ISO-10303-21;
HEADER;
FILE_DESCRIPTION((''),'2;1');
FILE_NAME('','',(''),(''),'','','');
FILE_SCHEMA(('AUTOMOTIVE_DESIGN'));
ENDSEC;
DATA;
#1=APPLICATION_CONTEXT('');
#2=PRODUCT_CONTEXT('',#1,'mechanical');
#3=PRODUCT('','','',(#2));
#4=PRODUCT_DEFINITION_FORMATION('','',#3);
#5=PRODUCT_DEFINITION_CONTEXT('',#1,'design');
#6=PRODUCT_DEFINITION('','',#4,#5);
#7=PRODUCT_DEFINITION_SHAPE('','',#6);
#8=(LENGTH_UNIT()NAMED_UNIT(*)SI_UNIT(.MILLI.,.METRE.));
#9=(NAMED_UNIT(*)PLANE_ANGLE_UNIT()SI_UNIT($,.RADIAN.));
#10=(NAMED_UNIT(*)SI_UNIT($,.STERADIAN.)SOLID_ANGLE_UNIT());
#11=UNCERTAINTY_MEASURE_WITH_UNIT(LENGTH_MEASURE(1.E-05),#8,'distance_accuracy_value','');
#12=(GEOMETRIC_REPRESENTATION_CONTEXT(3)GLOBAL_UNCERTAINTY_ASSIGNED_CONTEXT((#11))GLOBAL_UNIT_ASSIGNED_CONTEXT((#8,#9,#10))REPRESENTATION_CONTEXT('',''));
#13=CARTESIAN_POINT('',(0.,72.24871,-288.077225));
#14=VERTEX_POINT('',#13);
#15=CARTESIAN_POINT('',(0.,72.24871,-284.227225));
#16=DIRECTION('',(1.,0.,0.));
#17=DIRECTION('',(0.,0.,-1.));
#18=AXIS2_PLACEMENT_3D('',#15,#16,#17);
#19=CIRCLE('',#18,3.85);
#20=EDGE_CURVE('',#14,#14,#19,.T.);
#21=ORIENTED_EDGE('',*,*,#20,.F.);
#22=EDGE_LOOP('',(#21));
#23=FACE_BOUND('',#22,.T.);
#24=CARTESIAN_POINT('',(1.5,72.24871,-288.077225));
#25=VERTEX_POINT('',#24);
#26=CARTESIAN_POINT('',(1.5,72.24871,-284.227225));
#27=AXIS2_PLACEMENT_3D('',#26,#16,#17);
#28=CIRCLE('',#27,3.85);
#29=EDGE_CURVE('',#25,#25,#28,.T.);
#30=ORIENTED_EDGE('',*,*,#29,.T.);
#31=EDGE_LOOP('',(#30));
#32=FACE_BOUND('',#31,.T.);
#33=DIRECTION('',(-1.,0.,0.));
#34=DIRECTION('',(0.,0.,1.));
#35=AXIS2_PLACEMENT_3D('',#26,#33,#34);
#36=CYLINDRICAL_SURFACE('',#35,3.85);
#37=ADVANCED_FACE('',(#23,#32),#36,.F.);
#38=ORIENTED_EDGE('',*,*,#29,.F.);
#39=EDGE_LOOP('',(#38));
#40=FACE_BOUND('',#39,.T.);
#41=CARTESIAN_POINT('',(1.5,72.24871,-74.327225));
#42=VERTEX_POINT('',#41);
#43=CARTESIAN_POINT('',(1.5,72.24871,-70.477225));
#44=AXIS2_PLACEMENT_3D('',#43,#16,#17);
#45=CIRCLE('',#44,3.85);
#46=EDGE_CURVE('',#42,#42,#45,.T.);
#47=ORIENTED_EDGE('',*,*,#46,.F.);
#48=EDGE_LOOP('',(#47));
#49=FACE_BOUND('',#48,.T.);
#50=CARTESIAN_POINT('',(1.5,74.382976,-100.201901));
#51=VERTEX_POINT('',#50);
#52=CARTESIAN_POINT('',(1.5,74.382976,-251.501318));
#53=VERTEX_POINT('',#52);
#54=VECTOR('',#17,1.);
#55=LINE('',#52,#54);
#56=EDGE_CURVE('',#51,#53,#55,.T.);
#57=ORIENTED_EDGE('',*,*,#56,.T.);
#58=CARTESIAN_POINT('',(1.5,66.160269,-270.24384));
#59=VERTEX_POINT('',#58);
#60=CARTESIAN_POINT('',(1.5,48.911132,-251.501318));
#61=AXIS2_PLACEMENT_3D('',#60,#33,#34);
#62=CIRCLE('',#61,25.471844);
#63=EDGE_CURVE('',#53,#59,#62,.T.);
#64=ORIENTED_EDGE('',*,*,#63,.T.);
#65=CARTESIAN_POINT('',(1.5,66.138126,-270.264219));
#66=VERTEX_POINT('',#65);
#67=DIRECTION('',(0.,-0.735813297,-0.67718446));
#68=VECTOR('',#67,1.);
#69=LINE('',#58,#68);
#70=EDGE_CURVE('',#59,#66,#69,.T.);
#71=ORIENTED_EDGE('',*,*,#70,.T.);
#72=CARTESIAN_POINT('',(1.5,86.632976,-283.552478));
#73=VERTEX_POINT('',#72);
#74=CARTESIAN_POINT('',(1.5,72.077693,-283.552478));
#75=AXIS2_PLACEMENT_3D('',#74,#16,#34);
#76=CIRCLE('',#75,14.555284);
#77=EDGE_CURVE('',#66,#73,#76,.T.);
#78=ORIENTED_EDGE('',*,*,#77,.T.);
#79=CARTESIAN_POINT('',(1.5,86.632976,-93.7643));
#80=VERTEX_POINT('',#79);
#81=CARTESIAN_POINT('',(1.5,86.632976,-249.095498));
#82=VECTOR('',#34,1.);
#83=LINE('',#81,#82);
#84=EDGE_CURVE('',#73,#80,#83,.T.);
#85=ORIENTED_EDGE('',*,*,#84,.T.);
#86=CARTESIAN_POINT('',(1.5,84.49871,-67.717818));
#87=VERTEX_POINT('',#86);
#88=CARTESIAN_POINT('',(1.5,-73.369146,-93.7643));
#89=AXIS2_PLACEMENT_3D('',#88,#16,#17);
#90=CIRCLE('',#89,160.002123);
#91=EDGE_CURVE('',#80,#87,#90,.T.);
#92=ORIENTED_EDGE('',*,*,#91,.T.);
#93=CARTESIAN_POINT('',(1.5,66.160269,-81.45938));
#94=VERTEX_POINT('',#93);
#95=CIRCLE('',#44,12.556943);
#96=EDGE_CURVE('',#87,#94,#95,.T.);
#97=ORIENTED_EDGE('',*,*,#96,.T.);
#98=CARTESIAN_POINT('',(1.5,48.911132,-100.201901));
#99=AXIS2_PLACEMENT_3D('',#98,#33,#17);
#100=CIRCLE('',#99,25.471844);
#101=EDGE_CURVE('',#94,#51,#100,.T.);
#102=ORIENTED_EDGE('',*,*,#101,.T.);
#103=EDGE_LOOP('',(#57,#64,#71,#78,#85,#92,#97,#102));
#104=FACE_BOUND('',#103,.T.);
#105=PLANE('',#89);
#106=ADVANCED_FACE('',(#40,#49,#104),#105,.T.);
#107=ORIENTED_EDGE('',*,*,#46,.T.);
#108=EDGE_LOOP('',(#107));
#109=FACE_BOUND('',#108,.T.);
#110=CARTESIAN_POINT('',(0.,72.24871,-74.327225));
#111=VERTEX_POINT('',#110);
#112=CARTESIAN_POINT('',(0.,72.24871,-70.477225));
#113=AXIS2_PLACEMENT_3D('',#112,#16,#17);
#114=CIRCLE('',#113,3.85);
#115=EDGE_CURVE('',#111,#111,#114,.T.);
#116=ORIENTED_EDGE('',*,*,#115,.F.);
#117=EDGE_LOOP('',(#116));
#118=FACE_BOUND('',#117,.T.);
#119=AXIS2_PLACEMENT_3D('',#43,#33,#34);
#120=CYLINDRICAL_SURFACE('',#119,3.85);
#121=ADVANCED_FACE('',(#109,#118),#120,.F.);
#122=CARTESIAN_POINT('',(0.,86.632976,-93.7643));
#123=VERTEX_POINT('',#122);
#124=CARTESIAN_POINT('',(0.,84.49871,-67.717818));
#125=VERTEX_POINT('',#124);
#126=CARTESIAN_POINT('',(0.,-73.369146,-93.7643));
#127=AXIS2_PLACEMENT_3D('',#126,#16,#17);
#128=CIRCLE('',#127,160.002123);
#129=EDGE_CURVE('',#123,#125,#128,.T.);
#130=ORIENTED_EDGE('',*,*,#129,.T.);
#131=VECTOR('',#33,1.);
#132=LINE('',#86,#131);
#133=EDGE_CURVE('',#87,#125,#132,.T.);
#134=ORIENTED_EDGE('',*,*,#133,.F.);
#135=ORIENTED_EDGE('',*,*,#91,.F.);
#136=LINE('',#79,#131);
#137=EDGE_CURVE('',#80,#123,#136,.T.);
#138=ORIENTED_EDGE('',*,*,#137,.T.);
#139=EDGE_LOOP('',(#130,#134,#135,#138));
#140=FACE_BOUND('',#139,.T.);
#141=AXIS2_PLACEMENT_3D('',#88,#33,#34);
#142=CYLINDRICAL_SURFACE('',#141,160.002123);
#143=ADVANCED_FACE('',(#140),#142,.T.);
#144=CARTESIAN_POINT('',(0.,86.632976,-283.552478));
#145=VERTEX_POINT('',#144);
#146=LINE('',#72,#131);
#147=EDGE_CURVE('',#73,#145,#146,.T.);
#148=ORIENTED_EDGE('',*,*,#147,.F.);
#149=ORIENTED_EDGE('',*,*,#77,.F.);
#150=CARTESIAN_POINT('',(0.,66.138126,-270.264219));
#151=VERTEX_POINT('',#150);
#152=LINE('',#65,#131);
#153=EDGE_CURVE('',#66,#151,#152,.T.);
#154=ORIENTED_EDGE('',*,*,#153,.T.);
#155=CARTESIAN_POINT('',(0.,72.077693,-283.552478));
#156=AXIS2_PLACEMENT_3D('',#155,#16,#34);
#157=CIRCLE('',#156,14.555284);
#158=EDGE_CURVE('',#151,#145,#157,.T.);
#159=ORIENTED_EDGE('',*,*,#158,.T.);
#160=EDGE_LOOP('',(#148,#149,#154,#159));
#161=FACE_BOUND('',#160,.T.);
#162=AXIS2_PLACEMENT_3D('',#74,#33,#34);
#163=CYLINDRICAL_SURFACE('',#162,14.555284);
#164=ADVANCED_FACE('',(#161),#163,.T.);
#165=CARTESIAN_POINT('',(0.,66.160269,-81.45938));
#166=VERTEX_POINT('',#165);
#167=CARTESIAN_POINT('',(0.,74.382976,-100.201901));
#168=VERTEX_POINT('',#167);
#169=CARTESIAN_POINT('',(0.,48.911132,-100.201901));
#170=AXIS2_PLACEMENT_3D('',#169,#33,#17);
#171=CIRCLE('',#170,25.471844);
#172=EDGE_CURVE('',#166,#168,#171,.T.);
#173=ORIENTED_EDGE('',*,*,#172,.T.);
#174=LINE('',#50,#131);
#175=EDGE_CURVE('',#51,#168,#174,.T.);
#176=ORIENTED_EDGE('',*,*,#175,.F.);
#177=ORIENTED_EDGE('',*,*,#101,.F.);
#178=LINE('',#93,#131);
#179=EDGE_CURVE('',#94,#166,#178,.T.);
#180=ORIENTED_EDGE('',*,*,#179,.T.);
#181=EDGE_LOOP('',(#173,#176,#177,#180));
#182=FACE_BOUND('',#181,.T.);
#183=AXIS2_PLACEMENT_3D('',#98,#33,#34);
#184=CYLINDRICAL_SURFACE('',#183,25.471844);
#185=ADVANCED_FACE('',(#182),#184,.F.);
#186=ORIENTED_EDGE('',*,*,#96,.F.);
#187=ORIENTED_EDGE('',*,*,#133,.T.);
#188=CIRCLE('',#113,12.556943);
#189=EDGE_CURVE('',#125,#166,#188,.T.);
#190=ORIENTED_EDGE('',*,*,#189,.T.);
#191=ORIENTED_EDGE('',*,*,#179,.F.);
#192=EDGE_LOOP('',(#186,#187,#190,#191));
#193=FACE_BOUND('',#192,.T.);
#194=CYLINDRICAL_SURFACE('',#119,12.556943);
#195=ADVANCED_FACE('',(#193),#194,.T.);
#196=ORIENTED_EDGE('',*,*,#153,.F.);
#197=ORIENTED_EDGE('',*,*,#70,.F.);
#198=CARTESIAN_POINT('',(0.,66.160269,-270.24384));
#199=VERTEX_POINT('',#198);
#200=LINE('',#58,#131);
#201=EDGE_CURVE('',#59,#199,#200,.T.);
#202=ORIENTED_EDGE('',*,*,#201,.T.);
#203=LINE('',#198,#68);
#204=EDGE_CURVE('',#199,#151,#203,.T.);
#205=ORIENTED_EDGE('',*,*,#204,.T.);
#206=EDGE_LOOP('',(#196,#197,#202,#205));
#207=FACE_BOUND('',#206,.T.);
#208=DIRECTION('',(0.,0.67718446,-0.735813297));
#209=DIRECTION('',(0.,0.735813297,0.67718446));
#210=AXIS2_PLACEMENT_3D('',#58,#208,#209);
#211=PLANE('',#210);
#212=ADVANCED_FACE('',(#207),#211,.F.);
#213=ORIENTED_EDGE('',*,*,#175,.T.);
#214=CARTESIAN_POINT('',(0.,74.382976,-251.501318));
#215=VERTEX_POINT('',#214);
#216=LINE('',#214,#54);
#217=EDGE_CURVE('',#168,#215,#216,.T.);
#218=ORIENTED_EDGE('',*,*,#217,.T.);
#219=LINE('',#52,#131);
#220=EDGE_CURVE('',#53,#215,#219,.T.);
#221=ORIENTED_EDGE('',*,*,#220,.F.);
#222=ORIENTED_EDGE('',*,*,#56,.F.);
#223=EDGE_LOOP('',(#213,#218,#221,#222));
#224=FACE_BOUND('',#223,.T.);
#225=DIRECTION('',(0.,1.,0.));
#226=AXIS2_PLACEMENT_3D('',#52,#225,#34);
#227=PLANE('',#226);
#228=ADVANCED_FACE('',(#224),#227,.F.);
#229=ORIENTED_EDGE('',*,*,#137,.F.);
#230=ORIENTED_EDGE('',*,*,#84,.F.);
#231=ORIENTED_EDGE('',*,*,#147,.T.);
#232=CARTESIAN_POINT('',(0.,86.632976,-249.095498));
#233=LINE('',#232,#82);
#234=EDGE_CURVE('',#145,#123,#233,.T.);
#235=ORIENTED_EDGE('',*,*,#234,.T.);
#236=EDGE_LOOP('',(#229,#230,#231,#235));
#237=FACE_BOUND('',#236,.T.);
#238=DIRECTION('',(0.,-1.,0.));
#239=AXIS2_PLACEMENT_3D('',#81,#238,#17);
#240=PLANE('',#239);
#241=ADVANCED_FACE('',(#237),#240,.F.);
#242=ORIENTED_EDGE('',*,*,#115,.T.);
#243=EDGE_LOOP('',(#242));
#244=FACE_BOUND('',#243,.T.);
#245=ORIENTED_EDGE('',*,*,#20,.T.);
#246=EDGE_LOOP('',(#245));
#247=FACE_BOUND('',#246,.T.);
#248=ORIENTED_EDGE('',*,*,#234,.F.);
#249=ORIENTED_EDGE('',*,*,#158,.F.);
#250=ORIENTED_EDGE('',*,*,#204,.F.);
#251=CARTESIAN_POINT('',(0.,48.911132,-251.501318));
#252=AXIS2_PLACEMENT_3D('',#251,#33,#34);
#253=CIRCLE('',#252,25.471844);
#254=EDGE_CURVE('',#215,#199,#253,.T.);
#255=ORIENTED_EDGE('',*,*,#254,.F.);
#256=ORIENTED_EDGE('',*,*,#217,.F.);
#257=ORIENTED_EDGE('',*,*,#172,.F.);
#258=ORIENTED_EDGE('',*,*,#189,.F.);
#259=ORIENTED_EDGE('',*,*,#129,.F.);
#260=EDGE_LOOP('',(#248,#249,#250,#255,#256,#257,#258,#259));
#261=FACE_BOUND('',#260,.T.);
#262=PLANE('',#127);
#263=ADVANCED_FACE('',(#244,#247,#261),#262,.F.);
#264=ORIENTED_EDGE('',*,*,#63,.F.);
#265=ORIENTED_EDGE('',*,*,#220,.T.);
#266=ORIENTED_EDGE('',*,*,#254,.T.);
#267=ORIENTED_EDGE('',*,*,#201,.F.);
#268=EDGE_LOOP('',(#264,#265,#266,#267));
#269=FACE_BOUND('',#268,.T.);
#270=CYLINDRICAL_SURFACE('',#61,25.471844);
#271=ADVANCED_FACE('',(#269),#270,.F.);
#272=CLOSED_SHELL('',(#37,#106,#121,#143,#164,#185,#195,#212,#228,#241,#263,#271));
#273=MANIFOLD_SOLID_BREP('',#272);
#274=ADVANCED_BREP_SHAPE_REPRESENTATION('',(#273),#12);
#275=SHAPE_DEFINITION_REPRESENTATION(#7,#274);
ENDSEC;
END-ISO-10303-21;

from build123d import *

# Parameters (mm, degrees)
SKETCH_1_R      = 3.85
EXTRUDE_1_DEPTH = 1.5


with BuildPart() as part:
    # 草圖1 → 填料-伸長1 (new body)
    with BuildSketch(Plane(origin=(0, 0, 0), x_dir=(0, 0, -1), z_dir=(1, 0, 0))):
        with BuildLine():
            Line((251.501318297, 74.382976373), (100.201901366, 74.382976373))
            ThreePointArc((100.201901366, 74.382976373), (89.968438713, 72.236892378), (81.459379698, 66.160269216))
            ThreePointArc((81.459379698, 66.160269216), (60.428444362, 64.718846971), (67.717817707, 84.498709848))
            ThreePointArc((67.717817707, 84.498709848), (80.697411325, 86.098517108), (93.764300282, 86.632976373))
            Line((93.764300282, 86.632976373), (249.095497945, 86.632976373))
            Line((249.095497945, 86.632976373), (283.552477777, 86.632976373))
            ThreePointArc((283.552477777, 86.632976373), (295.765347138, 64.159226657), (270.264218528, 66.138126331))
            Line((270.264218528, 66.138126331), (270.243839965, 66.160269216))
            ThreePointArc((270.243839965, 66.160269216), (261.734780949, 72.236892378), (251.501318297, 74.382976373))
        make_face()
        with Locations((70.477225092, 72.248709848)):
            Circle(SKETCH_1_R, mode=Mode.SUBTRACT)
        with Locations((284.227225092, 72.248709848)):
            Circle(SKETCH_1_R, mode=Mode.SUBTRACT)
    extrude(amount=EXTRUDE_1_DEPTH)


solid = part.part
